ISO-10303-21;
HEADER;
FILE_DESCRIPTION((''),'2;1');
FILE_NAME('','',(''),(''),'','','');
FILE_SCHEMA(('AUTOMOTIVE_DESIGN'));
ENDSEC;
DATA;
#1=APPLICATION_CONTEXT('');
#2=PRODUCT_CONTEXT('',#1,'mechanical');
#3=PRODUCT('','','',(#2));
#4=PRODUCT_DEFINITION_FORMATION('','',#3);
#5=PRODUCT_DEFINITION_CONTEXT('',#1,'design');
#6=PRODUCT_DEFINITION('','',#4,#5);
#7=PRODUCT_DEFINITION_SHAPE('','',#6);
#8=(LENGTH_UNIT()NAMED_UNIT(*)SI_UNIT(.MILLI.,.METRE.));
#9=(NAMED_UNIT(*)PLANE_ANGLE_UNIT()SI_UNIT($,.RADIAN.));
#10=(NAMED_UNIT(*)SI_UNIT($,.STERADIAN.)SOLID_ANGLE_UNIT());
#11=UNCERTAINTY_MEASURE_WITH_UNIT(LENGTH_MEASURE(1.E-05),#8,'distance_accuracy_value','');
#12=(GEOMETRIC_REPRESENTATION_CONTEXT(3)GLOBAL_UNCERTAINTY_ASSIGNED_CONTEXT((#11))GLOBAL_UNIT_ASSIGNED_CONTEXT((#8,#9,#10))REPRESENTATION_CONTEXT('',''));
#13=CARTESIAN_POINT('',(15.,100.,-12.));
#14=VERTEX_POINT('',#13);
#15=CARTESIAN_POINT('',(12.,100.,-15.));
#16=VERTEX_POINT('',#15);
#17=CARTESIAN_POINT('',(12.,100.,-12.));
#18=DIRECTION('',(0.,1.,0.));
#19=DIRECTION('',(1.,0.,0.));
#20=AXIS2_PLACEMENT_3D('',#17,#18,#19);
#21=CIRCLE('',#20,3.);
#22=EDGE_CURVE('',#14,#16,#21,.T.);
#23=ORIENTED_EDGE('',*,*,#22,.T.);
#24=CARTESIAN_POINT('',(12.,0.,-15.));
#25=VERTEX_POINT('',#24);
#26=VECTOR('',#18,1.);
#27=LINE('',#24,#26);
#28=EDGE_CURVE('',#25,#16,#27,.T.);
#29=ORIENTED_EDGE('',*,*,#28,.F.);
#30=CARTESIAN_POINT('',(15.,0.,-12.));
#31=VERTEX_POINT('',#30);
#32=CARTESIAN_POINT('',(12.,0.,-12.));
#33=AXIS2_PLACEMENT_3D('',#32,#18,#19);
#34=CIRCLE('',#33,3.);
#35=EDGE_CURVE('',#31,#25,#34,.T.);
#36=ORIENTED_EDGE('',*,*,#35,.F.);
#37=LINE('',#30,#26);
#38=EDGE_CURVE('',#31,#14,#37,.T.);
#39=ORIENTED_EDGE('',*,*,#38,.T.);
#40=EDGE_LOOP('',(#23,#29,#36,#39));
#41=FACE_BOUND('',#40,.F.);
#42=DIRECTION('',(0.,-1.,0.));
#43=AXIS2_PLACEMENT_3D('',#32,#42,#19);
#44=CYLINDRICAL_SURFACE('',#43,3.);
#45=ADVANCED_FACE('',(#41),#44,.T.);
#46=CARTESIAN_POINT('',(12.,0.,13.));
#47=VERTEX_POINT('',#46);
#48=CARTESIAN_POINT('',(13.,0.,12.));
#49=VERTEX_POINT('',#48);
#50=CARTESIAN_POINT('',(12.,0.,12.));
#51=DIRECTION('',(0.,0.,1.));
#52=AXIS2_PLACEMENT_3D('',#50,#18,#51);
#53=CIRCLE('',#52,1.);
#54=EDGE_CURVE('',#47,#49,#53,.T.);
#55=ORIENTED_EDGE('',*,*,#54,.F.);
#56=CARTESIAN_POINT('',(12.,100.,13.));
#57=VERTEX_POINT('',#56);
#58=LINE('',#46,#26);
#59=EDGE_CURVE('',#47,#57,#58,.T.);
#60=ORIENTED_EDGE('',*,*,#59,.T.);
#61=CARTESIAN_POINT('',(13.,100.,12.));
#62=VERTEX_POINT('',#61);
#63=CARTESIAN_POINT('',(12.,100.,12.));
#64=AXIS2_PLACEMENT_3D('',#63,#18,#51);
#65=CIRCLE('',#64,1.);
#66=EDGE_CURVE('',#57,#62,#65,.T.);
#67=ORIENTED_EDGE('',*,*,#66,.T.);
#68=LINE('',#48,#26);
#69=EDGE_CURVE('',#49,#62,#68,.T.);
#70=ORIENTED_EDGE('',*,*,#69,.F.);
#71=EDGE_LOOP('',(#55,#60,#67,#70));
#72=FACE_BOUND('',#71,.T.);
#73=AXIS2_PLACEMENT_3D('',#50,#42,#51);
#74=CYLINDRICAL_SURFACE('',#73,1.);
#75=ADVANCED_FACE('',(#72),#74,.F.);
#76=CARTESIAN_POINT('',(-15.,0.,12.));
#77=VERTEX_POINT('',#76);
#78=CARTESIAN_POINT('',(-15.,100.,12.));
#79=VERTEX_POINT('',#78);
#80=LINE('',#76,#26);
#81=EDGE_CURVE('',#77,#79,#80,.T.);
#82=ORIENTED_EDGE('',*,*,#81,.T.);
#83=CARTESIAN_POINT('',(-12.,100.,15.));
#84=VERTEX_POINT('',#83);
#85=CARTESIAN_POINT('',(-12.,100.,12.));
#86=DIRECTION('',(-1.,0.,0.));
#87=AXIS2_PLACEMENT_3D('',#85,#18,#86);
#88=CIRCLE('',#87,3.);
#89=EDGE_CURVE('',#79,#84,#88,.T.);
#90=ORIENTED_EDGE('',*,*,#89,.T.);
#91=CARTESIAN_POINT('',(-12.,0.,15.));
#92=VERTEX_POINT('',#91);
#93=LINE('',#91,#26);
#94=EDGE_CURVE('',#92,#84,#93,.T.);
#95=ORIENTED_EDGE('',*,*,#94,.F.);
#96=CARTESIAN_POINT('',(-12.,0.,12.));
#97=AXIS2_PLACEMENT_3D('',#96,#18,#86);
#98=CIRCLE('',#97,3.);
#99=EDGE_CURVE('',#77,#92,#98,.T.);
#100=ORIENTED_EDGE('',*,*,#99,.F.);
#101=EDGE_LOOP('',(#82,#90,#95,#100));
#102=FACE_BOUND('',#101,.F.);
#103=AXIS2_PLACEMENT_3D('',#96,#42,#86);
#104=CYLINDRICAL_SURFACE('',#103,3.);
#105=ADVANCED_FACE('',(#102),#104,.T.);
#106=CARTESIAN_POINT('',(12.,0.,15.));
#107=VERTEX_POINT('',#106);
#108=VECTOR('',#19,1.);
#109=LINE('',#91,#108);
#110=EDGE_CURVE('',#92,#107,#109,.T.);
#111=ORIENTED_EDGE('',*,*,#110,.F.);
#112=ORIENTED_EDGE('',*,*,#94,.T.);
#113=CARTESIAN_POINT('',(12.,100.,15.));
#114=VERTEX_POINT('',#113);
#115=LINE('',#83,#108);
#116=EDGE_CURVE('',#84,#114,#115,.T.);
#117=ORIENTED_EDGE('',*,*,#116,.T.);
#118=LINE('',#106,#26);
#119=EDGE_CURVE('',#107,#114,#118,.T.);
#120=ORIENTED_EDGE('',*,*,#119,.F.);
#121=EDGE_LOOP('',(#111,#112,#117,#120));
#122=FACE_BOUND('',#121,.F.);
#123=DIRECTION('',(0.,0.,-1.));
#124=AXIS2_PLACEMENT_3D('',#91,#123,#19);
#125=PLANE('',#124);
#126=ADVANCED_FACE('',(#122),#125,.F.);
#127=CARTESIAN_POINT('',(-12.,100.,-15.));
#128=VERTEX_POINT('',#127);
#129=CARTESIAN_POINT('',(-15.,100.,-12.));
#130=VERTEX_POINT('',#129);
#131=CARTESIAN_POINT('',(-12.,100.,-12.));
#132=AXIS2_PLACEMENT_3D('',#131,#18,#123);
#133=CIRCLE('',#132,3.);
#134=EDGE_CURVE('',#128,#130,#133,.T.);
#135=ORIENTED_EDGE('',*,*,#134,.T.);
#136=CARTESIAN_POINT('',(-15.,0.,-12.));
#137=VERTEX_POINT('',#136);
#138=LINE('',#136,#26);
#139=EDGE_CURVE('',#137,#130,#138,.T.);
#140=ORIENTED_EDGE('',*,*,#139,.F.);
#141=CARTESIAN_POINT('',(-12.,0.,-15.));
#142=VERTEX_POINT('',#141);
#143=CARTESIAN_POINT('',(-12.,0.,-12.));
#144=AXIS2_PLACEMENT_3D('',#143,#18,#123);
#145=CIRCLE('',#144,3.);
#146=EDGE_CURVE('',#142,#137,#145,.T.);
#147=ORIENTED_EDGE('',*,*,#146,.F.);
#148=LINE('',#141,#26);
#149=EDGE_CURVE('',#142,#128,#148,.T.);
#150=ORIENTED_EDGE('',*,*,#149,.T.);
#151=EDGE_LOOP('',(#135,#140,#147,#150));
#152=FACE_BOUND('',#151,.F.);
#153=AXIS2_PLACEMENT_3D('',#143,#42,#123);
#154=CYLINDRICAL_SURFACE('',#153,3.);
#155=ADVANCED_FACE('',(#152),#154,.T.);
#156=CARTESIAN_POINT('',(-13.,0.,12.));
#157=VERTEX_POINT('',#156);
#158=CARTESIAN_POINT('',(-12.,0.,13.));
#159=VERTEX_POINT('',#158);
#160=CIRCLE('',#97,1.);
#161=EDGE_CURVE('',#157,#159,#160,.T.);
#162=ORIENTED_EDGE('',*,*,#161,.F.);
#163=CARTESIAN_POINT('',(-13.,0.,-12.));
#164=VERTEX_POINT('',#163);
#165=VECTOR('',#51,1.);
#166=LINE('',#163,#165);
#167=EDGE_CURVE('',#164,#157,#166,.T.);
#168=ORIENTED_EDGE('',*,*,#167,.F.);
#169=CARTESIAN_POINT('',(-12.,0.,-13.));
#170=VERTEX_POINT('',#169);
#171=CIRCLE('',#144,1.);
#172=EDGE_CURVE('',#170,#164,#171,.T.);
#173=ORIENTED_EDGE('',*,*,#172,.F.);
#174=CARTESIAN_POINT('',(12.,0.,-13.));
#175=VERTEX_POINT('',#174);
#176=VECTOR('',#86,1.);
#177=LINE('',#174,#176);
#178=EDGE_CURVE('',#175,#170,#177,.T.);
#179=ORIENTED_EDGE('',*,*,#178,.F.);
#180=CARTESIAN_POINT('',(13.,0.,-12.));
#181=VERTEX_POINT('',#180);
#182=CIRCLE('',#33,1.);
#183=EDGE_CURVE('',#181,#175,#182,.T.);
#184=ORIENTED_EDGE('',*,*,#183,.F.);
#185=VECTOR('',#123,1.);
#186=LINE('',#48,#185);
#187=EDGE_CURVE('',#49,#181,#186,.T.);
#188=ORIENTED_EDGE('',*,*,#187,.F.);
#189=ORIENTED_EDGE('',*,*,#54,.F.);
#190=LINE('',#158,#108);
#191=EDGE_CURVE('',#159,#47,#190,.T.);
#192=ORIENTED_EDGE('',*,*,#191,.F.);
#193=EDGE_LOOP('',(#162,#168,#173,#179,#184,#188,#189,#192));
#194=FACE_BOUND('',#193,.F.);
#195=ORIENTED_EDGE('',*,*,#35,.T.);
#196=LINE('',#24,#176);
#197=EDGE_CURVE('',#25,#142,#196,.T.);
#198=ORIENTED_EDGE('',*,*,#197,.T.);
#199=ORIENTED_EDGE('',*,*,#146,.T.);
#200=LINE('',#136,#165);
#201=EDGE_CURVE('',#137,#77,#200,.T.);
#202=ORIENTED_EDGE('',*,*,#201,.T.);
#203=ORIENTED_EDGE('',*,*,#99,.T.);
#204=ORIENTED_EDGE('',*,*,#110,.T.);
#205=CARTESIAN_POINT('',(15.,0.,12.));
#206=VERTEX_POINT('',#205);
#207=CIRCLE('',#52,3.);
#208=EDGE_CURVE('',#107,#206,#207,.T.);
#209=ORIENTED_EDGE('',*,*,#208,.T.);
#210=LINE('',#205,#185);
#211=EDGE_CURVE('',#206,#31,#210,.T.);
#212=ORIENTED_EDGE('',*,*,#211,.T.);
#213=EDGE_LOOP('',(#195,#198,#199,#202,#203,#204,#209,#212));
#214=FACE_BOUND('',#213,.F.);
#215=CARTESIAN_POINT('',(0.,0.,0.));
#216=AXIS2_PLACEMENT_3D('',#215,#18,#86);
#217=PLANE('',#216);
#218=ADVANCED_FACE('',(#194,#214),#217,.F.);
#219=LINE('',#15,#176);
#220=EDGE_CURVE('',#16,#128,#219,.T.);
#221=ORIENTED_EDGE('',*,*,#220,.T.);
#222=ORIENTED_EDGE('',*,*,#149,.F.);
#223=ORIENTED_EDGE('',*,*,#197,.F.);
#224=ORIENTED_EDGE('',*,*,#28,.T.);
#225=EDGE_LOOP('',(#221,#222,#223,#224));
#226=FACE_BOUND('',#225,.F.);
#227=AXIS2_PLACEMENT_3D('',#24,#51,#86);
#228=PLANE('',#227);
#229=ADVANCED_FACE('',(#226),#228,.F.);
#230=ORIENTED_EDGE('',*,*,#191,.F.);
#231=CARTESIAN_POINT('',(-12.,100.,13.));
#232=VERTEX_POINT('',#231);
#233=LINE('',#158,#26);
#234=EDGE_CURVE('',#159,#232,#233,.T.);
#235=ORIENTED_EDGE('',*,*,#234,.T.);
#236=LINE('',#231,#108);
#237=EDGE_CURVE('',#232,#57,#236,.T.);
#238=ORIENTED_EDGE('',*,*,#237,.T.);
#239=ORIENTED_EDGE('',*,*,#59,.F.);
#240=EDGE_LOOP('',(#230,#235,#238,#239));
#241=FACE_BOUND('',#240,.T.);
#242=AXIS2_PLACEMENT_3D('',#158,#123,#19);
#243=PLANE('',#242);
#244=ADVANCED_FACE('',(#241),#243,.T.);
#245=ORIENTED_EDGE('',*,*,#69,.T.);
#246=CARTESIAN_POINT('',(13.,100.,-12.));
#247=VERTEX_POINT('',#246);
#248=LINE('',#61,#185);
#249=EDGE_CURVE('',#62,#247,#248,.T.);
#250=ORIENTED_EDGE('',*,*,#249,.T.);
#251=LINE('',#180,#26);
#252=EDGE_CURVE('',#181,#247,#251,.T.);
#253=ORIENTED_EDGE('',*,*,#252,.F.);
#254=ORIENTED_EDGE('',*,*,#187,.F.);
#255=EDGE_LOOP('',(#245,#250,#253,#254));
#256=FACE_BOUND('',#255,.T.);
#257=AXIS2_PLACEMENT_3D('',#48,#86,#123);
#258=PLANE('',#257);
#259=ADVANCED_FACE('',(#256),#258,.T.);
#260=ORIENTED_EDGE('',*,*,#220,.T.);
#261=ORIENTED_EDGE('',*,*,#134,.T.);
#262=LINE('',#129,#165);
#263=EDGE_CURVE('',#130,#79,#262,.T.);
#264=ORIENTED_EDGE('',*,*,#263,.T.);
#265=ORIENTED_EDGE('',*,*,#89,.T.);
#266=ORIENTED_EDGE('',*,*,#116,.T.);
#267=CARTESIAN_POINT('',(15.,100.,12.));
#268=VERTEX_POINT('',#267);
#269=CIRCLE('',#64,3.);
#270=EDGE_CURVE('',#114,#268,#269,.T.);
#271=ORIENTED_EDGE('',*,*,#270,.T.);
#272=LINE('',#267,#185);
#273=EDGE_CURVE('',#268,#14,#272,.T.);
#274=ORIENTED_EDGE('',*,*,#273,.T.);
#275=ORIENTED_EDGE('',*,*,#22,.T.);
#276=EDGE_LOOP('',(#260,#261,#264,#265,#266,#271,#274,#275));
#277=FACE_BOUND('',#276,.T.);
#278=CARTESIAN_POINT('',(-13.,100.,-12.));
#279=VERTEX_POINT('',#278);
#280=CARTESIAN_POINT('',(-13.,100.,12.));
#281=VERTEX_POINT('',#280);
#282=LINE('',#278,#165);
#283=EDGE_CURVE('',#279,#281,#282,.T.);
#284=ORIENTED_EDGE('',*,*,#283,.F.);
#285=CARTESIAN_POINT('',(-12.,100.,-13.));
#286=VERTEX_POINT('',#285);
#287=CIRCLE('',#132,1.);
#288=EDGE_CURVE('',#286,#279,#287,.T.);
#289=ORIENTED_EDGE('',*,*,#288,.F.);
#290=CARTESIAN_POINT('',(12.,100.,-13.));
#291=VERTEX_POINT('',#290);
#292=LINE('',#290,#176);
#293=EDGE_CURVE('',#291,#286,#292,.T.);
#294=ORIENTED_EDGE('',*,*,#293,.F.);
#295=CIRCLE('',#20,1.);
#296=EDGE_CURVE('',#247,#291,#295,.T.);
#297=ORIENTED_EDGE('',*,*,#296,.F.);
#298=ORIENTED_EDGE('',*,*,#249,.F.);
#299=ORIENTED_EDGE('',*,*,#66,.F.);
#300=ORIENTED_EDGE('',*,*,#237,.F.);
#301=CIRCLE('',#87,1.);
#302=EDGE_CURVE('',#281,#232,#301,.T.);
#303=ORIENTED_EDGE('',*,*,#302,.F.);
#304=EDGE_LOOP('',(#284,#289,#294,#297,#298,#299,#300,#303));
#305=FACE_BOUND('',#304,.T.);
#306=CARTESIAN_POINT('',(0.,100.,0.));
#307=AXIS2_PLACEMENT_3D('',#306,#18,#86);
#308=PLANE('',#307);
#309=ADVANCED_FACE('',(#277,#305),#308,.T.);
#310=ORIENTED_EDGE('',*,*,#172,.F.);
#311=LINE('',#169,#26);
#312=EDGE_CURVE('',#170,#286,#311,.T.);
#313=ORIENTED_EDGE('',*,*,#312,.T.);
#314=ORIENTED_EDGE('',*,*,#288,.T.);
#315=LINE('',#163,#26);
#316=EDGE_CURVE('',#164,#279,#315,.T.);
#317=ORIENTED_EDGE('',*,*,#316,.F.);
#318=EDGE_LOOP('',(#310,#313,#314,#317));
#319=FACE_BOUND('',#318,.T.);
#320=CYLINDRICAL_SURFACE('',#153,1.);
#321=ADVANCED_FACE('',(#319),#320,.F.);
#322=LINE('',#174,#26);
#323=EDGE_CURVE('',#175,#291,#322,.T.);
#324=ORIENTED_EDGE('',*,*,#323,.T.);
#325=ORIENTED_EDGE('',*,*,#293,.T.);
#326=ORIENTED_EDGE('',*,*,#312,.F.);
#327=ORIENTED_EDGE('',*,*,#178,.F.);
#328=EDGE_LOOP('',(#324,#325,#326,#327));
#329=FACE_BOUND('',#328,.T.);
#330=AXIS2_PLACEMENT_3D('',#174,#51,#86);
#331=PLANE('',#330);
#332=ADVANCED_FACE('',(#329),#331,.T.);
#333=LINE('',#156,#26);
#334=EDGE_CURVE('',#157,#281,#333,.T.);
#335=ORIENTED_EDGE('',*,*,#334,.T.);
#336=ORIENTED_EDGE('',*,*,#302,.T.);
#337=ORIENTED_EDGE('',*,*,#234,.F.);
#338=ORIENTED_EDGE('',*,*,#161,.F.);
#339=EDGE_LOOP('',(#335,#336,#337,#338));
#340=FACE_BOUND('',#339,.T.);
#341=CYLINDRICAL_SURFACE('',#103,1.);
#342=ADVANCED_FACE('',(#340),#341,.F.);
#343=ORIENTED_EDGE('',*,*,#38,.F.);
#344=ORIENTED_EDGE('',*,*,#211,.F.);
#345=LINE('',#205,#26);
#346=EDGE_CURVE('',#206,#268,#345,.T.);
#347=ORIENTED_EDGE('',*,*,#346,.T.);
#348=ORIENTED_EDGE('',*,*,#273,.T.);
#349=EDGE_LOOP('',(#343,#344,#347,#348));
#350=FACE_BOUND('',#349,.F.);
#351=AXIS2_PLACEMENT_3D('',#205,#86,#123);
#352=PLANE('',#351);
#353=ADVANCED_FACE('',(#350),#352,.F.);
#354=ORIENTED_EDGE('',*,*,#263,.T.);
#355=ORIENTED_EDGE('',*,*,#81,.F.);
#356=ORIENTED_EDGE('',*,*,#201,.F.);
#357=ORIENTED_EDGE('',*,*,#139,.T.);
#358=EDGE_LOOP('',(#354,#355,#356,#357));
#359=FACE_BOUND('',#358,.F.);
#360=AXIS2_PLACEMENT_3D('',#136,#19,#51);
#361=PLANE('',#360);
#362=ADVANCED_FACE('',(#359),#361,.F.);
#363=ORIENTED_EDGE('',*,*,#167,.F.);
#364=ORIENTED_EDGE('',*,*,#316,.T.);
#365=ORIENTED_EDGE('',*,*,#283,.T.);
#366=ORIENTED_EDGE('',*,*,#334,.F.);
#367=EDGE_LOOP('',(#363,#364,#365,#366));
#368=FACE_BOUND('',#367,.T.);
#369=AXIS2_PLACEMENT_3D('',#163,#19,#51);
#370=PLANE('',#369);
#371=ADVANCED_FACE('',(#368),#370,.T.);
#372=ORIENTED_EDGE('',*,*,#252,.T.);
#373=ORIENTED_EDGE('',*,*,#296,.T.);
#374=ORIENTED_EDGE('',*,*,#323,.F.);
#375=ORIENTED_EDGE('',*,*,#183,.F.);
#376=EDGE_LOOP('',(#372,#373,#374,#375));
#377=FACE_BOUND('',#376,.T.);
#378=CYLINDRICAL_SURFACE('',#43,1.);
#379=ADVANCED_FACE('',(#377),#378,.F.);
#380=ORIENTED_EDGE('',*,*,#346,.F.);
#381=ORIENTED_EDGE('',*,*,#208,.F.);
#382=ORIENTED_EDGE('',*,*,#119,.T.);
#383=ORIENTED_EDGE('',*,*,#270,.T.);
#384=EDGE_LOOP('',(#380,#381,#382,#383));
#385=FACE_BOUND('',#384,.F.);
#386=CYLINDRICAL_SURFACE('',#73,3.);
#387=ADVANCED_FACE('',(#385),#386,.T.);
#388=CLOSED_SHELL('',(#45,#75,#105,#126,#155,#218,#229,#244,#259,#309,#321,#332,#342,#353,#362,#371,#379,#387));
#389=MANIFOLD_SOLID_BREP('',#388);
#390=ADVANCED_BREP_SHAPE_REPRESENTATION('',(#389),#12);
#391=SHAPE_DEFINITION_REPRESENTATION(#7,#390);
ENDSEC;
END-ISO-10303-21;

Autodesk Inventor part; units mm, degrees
ref_plane "YZ Plane" through (0, 0, 0) normal (1, 0, 0) x (0, 1, 0)
ref_plane "XZ Plane" through (0, 0, 0) normal (0, 1, 0) x (-1, 0, 0)
ref_plane "XY Plane" through (0, 0, 0) normal (0, 0, 1) x (1, 0, 0)
sketch "Sketch1" plane through (0, 0, 0) normal (0, 1, 0) x (-1, 0, 0)
  line L0 (-12, 14) -> (12, 14) construction
  line L1 (14, 12) -> (14, -12) construction
  line L2 (12, -14) -> (-12, -14) construction
  line L3 (-14, -12) -> (-14, 12) construction
  line L4 (-14, 14) -> (14, -14) construction
  line L5 (14, 14) -> (-14, -14) construction
  arc A0 (14, 12) -> (12, 14) centre (12, 12) ccw construction
  arc A1 (12, -14) -> (14, -12) centre (12, -12) ccw construction
  arc A2 (-14, -12) -> (-12, -14) centre (-12, -12) ccw construction
  arc A3 (-12, 14) -> (-14, 12) centre (-12, 12) ccw construction
  line L6 (-12, -15) -> (12, -15)
  arc A4 (12, -15) -> (15, -12) centre (12, -12) ccw
  line L7 (15, -12) -> (15, 12)
  arc A5 (15, 12) -> (12, 15) centre (12, 12) ccw
  line L8 (12, 15) -> (-12, 15)
  arc A6 (-12, 15) -> (-15, 12) centre (-12, 12) ccw
  line L9 (-15, 12) -> (-15, -12)
  arc A7 (-15, -12) -> (-12, -15) centre (-12, -12) ccw
  line L10 (13, -12) -> (13, 12)
  arc A8 (13, 12) -> (12, 13) centre (12, 12) ccw
  line L11 (12, 13) -> (-12, 13)
  arc A9 (-12, 13) -> (-13, 12) centre (-12, 12) ccw
  line L12 (-13, 12) -> (-13, -12)
  arc A10 (-13, -12) -> (-12, -13) centre (-12, -12) ccw
  line L13 (-12, -13) -> (12, -13)
  arc A11 (12, -13) -> (13, -12) centre (12, -12) ccw
  point P0 (0, 0)
  point P1 (0, 0)
  point P2 (0, 0)
  dimension "d10" = 2
  dimension "depth" = 30
  dimension "width" = 30
  dimension "thickness" = 2
extrude "Extrusion1" add sketch "Sketch1" along normal blind 100
equation "\"d10\" = thickness"
properties part number "beam 30x30x2" material "Steel"
